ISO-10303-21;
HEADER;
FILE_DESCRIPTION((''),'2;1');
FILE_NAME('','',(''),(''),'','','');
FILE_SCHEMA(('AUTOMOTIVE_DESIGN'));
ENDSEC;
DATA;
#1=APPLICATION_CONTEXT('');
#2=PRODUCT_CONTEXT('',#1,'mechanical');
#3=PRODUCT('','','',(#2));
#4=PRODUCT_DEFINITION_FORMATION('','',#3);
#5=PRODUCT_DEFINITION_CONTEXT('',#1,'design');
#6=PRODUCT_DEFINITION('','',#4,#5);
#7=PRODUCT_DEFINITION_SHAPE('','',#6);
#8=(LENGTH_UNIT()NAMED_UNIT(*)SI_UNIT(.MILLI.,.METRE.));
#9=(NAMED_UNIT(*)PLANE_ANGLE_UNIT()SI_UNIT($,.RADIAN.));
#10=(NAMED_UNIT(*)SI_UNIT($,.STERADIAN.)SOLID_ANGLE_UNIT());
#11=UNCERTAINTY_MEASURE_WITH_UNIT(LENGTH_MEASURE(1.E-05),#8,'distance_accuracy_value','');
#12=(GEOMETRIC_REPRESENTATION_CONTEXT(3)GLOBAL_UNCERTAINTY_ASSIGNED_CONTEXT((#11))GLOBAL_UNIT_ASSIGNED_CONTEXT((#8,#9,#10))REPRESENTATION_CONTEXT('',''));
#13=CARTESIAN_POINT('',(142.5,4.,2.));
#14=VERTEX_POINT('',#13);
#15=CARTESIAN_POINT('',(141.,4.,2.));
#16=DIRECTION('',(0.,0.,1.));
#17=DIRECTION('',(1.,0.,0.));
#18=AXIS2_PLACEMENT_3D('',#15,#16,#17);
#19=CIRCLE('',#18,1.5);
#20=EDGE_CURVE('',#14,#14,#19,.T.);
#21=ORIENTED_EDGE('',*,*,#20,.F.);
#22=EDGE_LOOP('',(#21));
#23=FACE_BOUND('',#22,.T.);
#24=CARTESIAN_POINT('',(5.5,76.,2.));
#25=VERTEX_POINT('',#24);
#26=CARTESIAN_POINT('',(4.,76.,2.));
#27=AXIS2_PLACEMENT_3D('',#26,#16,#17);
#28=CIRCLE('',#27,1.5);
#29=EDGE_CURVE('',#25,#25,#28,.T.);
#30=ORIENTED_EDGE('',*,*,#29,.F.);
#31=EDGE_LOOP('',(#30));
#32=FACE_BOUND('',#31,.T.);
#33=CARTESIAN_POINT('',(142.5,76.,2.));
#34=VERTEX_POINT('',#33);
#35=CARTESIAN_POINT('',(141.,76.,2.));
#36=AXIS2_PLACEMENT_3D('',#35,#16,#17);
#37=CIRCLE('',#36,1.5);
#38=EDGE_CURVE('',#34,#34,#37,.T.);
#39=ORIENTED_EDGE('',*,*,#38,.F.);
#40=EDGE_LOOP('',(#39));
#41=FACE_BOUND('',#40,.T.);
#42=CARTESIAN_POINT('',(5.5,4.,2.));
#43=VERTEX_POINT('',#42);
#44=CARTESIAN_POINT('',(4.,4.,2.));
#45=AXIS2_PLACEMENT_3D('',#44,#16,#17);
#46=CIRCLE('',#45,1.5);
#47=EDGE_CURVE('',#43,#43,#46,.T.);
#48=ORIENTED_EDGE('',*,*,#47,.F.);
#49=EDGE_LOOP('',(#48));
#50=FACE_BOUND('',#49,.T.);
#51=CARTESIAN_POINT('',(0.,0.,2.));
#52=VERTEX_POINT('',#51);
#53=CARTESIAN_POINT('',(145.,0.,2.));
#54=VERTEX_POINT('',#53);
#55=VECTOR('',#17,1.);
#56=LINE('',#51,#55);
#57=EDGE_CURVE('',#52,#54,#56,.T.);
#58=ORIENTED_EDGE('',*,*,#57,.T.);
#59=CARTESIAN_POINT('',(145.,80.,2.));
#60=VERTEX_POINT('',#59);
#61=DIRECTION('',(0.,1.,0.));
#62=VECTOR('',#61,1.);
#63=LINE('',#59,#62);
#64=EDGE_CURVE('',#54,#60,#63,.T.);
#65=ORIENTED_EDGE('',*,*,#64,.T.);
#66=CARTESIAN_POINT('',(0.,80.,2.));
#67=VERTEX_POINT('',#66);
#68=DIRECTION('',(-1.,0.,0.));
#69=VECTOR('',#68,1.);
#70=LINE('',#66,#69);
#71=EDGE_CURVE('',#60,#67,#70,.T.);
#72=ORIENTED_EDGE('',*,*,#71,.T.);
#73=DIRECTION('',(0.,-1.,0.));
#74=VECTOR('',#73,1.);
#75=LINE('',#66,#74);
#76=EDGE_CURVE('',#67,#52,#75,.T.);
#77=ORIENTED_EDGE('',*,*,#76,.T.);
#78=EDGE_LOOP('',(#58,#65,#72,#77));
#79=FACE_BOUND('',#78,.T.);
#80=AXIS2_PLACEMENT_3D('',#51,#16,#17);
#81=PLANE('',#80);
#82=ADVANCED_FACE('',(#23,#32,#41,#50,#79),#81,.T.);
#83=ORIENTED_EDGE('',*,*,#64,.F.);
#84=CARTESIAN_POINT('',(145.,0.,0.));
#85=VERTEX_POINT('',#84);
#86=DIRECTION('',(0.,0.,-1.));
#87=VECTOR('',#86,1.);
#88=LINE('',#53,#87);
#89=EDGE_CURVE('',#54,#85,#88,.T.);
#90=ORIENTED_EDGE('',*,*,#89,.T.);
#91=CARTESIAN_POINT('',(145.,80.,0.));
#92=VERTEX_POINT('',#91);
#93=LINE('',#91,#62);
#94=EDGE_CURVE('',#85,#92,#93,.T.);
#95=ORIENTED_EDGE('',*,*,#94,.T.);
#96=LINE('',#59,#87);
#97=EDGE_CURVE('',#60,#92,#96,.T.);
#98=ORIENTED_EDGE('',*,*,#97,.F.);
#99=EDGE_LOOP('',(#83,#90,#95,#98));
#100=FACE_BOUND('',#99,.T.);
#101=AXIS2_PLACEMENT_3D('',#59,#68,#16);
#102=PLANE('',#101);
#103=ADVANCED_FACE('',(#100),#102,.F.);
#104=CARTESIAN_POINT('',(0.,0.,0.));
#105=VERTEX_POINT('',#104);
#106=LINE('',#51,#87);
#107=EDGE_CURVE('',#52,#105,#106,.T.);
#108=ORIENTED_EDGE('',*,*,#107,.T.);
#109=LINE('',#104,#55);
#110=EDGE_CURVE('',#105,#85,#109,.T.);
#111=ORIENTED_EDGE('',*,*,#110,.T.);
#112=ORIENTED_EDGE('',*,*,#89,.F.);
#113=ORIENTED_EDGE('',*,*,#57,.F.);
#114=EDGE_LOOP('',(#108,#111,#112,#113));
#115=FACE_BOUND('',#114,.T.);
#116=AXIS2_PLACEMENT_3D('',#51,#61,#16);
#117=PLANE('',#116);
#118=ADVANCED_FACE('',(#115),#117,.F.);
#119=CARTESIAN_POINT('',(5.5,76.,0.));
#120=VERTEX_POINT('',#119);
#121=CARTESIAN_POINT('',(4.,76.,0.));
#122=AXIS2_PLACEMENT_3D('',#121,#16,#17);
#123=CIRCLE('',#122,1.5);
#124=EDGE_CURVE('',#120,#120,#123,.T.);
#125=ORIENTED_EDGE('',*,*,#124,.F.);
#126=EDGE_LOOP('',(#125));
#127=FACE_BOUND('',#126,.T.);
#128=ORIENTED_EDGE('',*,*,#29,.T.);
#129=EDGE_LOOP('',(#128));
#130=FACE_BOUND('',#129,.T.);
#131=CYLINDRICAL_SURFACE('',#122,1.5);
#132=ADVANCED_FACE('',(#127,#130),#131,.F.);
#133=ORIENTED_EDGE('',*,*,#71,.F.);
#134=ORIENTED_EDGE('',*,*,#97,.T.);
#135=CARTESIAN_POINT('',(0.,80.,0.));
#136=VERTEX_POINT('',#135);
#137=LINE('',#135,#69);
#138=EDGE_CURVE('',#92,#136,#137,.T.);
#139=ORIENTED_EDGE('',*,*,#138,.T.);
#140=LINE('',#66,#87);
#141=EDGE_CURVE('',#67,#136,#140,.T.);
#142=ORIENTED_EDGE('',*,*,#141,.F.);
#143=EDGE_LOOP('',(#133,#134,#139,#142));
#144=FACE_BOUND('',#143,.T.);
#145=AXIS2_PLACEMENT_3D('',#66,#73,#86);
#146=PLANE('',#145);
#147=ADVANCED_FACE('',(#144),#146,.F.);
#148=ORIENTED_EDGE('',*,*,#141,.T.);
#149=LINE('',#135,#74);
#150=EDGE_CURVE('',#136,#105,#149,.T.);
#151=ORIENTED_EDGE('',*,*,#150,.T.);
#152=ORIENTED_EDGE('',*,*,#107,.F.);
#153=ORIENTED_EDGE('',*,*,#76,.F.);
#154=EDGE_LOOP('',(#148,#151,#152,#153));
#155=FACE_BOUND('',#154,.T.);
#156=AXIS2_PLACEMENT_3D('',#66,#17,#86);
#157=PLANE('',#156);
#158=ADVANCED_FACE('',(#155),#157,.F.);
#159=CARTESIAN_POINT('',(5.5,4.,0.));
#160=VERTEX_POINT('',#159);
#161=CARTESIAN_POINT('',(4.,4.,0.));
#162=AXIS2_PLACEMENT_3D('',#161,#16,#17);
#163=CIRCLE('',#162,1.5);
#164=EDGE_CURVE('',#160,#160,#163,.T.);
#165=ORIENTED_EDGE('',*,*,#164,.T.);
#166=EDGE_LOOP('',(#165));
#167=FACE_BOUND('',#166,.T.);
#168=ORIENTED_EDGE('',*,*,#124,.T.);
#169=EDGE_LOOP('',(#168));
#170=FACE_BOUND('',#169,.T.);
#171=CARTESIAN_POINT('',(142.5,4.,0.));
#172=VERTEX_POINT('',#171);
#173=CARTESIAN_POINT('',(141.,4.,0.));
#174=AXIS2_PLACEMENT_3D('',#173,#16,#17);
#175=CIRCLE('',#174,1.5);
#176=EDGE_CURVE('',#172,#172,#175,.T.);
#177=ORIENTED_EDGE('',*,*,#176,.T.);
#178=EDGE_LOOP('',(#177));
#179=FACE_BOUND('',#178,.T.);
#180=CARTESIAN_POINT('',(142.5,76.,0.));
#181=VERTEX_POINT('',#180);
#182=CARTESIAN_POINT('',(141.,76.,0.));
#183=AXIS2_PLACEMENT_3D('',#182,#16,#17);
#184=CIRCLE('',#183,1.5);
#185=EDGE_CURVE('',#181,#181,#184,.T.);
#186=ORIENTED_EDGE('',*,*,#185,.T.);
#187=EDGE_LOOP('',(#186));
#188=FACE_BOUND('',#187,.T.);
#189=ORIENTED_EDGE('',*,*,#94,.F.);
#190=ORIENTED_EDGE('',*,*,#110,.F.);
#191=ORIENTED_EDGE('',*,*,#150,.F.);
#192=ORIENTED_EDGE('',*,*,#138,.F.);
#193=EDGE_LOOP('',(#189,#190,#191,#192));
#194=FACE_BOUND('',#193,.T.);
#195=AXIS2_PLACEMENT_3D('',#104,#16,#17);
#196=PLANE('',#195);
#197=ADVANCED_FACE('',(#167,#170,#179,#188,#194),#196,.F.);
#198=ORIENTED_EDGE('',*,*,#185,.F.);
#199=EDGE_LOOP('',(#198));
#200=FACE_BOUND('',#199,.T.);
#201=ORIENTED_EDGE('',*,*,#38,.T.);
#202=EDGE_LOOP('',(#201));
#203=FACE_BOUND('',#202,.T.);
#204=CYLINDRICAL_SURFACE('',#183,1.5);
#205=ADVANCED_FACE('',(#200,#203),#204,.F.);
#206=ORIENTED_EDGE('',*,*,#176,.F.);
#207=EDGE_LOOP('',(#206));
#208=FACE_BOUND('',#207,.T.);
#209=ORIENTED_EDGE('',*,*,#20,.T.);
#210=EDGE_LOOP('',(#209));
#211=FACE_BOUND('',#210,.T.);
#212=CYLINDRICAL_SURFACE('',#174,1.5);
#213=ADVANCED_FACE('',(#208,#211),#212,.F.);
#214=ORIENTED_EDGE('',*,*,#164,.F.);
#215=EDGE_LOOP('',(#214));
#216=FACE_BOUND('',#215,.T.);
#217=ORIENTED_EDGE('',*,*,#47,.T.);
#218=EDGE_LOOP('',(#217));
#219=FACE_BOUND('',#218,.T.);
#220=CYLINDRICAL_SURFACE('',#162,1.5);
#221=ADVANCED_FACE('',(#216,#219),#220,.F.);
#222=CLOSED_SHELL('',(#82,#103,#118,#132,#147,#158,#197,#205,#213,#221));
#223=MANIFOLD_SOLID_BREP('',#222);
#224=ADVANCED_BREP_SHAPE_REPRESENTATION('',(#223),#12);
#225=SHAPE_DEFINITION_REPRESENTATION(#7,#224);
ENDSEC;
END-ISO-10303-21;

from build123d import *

# Parameters (mm, degrees)
SKETCH_1_W                  = 145
SKETCH_1_H                  = 80
EXTRUDE_1_DEPTH             = 2
SKETCH_2_R                  = 1.5
CUT_EXTRUDE_1_DEPTH         = 2
PATTERN_LINEAR_1_COUNT      = 2
PATTERN_LINEAR_1_PITCH      = 137
PATTERN_LINEAR_1_COUNT_DIR2 = 2
PATTERN_LINEAR_1_PITCH_DIR2 = 72


with BuildPart() as part:
    # Эскиз1 → Бобышка-Вытянуть1 (new body)
    with BuildSketch(Plane.XY):
        with Locations((72.5, 40)):
            Rectangle(SKETCH_1_W, SKETCH_1_H)
    extrude(amount=EXTRUDE_1_DEPTH)

    # Эскиз2 → Вырез-Вытянуть1 (cut)
    with BuildSketch(Plane.XY.offset(2)):
        with Locations((4, 76)):
            Circle(SKETCH_2_R)
    cut_extrude_1 = extrude(amount=-CUT_EXTRUDE_1_DEPTH, mode=Mode.SUBTRACT)

    # Линейный массив1: Cut-Extrude 1 2 × 2
    with Locations(*[(i * PATTERN_LINEAR_1_PITCH, -j * PATTERN_LINEAR_1_PITCH_DIR2, 0) for i in range(PATTERN_LINEAR_1_COUNT) for j in range(PATTERN_LINEAR_1_COUNT_DIR2) if (i, j) != (0, 0)]):
        add(cut_extrude_1, mode=Mode.SUBTRACT)


solid = part.part
